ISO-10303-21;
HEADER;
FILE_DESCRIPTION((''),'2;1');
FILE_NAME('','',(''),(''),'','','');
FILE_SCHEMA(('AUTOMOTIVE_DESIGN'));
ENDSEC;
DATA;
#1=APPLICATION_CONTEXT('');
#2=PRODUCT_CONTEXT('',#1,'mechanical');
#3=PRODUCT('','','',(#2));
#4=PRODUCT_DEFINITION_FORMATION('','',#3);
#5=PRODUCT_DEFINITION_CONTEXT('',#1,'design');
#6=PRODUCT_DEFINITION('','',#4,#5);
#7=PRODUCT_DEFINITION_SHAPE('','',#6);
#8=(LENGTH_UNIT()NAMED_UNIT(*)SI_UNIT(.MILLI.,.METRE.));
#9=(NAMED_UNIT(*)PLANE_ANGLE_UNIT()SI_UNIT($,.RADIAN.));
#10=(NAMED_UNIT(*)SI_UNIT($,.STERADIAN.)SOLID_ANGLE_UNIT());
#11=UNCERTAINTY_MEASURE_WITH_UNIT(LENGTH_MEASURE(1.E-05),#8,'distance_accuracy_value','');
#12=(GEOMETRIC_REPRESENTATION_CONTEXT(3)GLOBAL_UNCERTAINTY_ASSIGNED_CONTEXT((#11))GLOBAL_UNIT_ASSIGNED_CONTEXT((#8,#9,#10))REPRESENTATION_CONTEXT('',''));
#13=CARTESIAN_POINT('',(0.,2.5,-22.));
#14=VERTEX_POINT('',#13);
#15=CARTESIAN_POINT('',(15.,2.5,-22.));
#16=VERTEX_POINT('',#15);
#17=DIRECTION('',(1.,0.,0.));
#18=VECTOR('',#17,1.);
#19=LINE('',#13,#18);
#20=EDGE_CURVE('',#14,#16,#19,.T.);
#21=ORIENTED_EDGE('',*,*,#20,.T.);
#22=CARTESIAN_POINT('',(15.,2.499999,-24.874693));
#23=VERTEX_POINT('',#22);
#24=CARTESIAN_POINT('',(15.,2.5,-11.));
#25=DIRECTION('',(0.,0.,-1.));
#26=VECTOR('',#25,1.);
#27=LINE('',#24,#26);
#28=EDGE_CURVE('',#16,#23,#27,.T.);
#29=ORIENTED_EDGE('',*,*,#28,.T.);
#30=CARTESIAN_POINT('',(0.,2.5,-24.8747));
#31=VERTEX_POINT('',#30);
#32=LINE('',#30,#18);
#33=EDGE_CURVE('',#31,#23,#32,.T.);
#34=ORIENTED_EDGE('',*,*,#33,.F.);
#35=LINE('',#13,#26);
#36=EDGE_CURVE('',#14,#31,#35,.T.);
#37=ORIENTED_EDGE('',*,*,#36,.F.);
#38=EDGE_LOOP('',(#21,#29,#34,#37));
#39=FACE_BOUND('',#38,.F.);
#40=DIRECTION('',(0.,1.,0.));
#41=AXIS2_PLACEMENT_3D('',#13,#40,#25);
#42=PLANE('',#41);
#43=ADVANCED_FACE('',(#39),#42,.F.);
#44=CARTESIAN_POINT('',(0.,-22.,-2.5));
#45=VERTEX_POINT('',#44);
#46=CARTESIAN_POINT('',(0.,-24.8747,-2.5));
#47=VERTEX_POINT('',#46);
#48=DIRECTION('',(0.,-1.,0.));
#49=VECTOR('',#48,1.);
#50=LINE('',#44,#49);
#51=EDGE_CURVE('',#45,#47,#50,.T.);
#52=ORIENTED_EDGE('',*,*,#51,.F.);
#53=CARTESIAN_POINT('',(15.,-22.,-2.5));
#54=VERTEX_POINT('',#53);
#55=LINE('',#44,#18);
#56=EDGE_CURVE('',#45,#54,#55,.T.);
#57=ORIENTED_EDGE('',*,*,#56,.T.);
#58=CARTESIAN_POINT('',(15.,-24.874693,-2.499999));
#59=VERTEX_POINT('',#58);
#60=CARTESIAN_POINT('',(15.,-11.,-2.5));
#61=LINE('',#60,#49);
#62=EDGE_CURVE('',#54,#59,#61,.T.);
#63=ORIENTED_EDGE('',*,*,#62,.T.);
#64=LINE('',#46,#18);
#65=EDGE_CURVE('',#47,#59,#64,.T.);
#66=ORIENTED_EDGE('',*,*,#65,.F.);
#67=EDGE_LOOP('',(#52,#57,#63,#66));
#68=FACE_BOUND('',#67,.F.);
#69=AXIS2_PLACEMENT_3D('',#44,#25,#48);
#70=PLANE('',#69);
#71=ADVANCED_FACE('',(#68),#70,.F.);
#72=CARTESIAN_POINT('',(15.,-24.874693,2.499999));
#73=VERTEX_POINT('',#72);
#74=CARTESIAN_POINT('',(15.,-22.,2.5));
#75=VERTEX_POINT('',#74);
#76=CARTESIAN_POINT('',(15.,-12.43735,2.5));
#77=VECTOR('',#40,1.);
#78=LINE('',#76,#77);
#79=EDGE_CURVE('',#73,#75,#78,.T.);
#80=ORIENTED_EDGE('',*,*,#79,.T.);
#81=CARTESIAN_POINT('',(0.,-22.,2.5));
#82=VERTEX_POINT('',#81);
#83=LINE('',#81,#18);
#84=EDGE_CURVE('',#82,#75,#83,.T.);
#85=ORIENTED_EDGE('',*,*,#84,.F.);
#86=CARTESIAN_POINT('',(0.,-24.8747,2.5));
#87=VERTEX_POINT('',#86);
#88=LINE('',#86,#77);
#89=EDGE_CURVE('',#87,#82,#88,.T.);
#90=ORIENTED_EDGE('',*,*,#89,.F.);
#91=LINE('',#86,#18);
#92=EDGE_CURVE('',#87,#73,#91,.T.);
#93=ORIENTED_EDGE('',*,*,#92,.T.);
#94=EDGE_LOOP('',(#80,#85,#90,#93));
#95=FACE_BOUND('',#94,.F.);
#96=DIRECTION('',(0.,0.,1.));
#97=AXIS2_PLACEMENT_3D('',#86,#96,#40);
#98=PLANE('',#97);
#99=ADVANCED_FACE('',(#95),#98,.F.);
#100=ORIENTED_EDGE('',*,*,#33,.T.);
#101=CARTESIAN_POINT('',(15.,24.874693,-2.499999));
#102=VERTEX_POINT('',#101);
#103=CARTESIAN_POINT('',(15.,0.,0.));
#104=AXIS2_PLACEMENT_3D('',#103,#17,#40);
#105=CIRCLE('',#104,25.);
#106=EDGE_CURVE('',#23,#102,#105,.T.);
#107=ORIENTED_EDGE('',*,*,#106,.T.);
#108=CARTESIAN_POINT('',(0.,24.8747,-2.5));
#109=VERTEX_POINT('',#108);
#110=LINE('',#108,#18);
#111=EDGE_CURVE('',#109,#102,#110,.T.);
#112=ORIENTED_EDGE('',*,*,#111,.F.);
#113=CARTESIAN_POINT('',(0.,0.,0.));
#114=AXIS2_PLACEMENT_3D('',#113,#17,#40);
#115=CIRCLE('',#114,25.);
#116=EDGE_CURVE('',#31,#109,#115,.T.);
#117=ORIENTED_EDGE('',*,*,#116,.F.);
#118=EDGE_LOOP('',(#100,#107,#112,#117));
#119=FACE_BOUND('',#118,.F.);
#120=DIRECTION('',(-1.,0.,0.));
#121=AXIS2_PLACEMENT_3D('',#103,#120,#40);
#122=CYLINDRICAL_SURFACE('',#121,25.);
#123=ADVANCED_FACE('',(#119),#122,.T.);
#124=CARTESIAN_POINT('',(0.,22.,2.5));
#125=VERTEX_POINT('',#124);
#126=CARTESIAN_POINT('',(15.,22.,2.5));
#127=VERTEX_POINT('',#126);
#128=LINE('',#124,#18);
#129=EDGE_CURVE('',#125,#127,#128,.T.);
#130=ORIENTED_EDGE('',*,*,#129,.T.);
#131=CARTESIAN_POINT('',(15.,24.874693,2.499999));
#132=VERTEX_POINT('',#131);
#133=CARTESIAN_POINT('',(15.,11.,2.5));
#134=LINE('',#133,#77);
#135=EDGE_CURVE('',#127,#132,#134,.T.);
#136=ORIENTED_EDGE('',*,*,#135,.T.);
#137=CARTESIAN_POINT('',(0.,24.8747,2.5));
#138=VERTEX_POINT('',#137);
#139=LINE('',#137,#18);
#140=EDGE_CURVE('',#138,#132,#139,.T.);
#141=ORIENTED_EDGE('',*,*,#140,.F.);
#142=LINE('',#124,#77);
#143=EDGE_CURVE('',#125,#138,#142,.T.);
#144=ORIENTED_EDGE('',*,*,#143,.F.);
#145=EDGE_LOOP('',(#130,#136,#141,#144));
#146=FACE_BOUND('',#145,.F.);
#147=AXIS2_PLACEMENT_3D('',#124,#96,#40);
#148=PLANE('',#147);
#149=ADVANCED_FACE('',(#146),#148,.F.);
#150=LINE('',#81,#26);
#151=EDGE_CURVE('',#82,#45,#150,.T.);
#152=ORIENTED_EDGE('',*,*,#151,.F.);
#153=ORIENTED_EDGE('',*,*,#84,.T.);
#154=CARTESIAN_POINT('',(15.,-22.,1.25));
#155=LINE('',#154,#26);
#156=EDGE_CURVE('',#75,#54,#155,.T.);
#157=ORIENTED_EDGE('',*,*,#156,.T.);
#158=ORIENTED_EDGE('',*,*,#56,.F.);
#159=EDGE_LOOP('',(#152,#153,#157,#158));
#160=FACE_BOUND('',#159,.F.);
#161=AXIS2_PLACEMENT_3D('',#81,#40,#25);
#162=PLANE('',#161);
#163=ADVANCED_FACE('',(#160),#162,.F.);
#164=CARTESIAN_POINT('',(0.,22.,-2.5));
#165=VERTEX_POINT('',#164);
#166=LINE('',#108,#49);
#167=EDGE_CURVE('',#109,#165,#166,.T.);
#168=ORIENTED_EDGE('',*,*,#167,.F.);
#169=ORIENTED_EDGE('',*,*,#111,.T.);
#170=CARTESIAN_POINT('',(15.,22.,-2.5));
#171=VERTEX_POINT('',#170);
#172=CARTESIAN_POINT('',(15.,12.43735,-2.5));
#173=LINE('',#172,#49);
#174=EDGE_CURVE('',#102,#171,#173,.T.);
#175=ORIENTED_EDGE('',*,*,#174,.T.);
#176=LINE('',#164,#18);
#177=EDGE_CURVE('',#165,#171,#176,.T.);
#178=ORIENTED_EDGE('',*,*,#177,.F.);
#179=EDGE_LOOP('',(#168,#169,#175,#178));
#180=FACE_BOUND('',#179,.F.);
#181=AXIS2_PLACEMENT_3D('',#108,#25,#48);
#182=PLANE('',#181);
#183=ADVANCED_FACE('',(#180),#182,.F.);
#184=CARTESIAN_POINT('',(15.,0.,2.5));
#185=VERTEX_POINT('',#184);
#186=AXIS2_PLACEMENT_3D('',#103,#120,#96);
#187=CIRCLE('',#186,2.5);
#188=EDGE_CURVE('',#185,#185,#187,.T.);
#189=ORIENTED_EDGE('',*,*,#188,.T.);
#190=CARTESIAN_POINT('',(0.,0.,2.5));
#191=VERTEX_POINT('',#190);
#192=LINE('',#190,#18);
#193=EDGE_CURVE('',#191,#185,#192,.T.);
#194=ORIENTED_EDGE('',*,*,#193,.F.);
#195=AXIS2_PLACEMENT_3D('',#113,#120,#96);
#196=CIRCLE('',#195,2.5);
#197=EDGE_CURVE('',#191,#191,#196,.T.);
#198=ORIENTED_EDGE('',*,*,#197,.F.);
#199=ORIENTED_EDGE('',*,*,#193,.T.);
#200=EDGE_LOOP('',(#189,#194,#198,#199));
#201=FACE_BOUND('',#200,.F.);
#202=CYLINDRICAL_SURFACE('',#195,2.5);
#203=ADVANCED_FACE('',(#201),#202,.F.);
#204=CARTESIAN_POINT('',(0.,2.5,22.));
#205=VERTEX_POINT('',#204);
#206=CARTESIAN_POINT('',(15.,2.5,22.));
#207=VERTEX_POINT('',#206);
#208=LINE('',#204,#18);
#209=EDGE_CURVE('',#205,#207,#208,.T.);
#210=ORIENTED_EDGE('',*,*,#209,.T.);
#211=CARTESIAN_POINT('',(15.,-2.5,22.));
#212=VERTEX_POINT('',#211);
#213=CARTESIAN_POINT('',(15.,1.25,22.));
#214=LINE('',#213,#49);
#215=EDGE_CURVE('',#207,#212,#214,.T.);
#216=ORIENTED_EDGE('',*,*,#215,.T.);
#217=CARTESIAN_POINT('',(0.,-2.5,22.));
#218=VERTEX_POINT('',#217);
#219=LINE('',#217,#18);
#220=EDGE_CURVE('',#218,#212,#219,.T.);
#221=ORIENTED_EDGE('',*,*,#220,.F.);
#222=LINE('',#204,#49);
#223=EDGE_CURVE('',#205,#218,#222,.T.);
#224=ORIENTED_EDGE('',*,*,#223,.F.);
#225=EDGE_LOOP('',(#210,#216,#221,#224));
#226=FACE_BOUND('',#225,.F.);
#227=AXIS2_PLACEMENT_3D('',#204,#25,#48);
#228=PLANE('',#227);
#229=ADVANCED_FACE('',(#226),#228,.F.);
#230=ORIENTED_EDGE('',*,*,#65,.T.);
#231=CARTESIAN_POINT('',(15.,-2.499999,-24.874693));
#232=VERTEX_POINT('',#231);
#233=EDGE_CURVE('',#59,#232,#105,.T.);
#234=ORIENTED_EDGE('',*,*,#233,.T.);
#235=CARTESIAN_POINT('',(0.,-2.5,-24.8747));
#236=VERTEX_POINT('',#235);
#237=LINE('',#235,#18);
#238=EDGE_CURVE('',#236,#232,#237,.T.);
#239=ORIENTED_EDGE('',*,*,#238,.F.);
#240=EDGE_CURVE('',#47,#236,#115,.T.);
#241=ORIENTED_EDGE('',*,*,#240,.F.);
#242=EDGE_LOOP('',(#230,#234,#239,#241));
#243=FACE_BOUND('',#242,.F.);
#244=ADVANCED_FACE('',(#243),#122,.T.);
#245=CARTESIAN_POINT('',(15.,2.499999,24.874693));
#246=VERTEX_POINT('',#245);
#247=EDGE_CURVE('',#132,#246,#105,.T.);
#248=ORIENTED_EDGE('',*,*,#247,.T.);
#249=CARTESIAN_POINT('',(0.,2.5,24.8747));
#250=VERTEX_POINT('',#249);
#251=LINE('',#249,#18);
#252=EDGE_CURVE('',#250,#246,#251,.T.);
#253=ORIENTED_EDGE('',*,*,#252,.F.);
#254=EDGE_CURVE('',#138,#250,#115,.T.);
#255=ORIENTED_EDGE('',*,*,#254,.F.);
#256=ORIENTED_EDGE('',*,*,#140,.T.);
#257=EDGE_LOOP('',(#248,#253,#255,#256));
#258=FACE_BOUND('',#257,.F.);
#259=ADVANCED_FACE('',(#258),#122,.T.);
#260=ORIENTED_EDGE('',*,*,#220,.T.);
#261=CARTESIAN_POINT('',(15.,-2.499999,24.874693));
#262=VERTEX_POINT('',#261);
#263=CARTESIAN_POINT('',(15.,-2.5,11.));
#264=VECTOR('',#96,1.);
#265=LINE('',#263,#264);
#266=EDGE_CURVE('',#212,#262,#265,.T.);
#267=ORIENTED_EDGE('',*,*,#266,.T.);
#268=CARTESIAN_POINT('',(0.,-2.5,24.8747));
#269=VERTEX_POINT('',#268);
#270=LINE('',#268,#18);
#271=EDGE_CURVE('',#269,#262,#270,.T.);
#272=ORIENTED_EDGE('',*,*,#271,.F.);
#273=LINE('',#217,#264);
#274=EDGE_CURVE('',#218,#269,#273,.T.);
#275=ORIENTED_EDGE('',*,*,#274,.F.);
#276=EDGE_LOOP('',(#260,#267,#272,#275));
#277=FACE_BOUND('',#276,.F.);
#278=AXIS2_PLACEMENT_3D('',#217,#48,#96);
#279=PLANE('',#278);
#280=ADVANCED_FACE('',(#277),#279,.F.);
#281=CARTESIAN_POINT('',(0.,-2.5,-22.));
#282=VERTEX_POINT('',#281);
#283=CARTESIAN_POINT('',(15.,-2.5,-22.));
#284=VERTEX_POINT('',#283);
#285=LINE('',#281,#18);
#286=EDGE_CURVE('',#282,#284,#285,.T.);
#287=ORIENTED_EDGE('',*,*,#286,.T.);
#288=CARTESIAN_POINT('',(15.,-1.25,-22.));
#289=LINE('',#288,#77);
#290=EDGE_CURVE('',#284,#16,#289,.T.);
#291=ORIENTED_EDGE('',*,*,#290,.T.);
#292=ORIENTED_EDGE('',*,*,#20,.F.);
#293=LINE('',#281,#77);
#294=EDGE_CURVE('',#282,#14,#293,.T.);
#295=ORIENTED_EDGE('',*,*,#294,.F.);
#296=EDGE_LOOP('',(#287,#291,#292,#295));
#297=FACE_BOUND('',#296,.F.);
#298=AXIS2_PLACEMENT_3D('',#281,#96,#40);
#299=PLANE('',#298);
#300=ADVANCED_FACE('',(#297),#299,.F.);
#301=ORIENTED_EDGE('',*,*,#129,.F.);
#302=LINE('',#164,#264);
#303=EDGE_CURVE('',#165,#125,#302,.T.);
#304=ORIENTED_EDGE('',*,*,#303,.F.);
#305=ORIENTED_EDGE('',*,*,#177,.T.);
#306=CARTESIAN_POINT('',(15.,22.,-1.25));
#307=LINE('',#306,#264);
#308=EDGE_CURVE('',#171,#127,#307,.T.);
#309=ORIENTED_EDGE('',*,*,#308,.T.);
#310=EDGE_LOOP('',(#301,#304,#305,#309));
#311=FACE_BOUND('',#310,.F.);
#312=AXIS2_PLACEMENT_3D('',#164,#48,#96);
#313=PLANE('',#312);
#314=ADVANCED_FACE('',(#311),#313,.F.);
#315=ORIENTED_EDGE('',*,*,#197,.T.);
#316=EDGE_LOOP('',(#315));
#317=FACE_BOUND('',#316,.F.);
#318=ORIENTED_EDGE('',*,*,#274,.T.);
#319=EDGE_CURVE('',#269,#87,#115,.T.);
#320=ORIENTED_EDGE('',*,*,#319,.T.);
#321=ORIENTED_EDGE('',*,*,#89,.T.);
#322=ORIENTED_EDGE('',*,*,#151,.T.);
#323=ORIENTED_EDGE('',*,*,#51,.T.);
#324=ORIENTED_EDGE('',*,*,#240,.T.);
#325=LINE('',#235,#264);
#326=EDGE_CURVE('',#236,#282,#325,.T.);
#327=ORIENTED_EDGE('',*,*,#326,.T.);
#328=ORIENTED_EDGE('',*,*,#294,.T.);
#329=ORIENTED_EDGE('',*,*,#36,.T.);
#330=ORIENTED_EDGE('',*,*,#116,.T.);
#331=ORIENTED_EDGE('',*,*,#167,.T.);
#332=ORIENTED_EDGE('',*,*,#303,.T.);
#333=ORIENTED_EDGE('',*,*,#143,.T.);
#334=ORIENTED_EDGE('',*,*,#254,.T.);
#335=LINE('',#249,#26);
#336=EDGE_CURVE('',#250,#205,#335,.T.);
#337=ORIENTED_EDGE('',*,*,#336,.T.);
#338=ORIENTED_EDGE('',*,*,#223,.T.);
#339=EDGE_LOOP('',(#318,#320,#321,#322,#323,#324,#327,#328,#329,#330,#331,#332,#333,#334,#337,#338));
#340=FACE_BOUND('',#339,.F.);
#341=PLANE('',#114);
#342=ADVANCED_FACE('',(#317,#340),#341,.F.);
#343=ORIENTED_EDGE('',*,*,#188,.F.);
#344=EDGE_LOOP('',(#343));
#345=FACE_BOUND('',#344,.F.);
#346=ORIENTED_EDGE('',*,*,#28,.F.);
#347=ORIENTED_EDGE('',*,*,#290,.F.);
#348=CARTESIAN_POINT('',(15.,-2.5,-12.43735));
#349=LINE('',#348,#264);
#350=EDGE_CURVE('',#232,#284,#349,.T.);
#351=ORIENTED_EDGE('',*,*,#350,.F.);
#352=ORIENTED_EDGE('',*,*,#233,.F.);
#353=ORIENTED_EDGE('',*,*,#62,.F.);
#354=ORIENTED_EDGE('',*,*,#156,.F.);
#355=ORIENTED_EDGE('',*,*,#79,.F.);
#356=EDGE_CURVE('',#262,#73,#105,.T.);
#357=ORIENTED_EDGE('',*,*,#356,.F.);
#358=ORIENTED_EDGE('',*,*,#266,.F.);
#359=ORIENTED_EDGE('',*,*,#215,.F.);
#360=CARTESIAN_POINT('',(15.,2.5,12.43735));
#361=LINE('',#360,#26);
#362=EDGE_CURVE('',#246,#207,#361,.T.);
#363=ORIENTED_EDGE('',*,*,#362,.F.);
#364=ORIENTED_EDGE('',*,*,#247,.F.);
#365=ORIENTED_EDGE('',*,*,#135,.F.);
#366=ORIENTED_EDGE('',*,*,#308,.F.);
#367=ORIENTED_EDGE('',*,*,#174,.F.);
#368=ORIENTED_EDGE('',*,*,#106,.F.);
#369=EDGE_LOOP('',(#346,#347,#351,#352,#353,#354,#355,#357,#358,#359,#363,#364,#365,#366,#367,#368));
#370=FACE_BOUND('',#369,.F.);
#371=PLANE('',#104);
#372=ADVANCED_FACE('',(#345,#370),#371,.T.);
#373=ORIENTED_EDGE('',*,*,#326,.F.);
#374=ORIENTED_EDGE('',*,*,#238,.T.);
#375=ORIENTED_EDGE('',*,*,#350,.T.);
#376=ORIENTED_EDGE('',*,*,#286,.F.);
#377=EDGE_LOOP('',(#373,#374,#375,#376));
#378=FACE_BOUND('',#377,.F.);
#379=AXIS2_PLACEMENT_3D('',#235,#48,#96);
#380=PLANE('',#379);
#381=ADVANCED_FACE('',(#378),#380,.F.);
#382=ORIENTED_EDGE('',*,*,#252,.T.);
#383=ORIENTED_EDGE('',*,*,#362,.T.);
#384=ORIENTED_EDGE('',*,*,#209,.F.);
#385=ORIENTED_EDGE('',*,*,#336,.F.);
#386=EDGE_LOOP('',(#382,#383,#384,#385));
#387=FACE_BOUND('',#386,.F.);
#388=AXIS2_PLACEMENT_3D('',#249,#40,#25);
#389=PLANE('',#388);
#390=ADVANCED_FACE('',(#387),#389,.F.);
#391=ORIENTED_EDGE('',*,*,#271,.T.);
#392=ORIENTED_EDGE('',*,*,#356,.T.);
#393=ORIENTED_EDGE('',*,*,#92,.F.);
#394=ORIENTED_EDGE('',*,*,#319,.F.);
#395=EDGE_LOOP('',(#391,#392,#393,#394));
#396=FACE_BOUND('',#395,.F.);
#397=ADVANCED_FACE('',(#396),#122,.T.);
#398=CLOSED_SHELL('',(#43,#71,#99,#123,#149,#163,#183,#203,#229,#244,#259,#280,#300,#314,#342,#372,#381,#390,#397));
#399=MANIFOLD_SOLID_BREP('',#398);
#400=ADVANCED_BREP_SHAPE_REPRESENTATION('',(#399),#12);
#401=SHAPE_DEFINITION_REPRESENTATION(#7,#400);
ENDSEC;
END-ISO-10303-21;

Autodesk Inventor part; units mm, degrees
ref_plane "YZ Plane" through (0, 0, 0) normal (1, 0, 0) x (0, 1, 0)
ref_plane "XZ Plane" through (0, 0, 0) normal (0, 1, 0) x (-1, 0, 0)
ref_plane "XY Plane" through (0, 0, 0) normal (0, 0, 1) x (1, 0, 0)
sketch "Эскиз1" plane through (0, 0, 0) normal (0, 0, 1) x (1, 0, 0)
  line L0 (0, 0) -> (15, 0)
  line L1 (15, 0) -> (15, 25)
  line L2 (15, 25) -> (0, 25)
  line L3 (0, 25) -> (0, 0)
  dimension "d0" = 15
  dimension "d1" = 25
revolve "Вращение1" add sketch "Эскиз1" angle 360 about axis through (0, 0, 0) along (1, 0, 0)
sketch "Эскиз2" plane through (0, 0, 0) normal (-1, 0, 0) x (0, 0, 1)
  circle A0 centre (0, 0) radius 2.5
  line L0 (22, 2.5) -> (22, -2.5)
  line L1 (22, -2.5) -> (24.8747, -2.5)
  circle A1 centre (0, 0) radius 25 projected
  line L2 (24.8747, 2.5) -> (22, 2.5)
  arc A2 (24.8747, -2.5) -> (24.8747, 2.5) centre (0, 0) ccw
  line L3 (-2.5, 24.8747) -> (-2.5, 22)
  line L4 (2.5, 22) -> (2.5, 24.8747)
  line L5 (-2.5, 22) -> (2.5, 22)
  arc A3 (2.5, 24.8747) -> (-2.5, 24.8747) centre (0, 0) ccw
  line L6 (-24.8747, -2.5) -> (-22, -2.5)
  line L7 (-22, 2.5) -> (-24.8747, 2.5)
  line L8 (-22, -2.5) -> (-22, 2.5)
  arc A4 (-24.8747, 2.5) -> (-24.8747, -2.5) centre (0, 0) ccw
  line L9 (2.5, -24.8747) -> (2.5, -22)
  line L10 (-2.5, -22) -> (-2.5, -24.8747)
  line L11 (2.5, -22) -> (-2.5, -22)
  arc A5 (-2.5, -24.8747) -> (2.5, -24.8747) centre (0, 0) ccw
  point P0 (22, 0)
  point P1 (25, 0)
  point P2 (0, 22)
  point P3 (0, 25)
  point P4 (-22, 0)
  point P5 (-25, 0)
  point P6 (0, -22)
  point P7 (0, -25)
  dimension "d3" = 5
  dimension "d4" = 5
  dimension "d5" = 22
  dimension "d8" = 360
extrude "Выдавливание1" cut sketch "Эскиз2" against normal through all contours A0 | L2 A1 L1 L0 | L4 L5 L3 A1 | A1 L10 L11 L9 | L7 L8 L6 A1
properties part number "711143"
